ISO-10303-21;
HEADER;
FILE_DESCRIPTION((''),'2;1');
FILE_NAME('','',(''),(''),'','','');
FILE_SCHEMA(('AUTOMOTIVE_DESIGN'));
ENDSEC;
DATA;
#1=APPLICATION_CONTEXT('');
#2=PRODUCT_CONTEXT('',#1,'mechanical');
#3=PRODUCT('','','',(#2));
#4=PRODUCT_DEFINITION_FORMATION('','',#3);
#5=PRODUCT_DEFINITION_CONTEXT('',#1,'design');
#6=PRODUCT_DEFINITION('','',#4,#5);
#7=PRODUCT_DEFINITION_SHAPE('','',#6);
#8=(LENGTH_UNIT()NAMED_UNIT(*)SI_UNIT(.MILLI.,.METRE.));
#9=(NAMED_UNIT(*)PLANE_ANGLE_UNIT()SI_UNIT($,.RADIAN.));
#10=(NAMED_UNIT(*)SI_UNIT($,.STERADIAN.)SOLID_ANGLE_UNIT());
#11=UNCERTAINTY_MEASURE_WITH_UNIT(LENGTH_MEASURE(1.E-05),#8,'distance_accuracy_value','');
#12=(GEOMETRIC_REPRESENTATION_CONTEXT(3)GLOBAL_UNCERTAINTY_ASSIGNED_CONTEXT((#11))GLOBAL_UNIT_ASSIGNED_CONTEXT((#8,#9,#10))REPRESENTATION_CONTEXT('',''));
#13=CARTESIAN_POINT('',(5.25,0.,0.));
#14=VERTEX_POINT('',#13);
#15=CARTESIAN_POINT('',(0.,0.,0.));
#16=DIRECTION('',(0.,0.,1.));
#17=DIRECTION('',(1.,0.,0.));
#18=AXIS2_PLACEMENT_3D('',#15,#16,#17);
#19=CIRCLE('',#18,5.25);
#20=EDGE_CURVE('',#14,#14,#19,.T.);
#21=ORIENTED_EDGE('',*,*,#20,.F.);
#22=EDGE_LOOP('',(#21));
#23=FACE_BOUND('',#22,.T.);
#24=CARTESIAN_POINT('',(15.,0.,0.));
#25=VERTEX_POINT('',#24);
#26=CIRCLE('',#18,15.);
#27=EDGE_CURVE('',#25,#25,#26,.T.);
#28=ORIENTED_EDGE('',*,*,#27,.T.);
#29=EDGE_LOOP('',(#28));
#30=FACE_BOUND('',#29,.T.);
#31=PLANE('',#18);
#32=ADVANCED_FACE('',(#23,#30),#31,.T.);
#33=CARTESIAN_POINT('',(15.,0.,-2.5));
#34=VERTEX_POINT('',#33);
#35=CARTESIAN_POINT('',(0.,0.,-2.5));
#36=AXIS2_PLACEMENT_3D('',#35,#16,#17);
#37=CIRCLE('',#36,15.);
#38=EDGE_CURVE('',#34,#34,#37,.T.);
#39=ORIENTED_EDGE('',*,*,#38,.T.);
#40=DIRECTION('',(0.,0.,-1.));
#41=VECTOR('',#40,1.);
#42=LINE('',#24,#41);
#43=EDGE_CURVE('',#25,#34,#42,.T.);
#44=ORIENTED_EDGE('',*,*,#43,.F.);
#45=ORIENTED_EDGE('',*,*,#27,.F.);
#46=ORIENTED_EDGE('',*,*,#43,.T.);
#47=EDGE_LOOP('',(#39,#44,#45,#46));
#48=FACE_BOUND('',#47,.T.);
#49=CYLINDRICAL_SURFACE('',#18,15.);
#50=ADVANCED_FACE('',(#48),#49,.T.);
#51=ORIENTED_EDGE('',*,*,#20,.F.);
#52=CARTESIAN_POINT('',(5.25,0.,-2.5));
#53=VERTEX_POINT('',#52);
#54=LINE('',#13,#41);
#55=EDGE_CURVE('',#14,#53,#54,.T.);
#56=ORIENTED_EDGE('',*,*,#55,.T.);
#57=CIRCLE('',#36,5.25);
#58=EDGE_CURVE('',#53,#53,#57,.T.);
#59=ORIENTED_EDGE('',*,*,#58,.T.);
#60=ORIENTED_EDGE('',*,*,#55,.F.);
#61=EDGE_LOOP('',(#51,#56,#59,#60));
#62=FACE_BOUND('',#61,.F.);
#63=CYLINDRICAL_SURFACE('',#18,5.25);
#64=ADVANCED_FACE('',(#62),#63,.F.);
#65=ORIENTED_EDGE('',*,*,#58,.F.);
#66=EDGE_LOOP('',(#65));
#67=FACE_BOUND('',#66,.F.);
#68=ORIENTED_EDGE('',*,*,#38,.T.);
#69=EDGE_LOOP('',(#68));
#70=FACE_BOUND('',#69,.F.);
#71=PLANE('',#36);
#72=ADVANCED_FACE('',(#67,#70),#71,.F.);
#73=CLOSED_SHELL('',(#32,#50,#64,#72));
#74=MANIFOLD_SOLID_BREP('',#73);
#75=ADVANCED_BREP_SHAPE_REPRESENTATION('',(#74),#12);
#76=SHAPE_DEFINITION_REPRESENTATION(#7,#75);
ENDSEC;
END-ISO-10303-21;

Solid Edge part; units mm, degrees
sketch "Sketch1" plane through (0, 0, 0) normal (0, 0, 1) x (1, 0, 0)
  circle A0 centre (0, 0) radius 15
  circle A1 centre (0, 0) radius 5.25
  dimension "D1" = 30
  dimension "D2" = 10.5
extrude "Protrusion1" add sketch "Sketch1" against normal blind 2.5
